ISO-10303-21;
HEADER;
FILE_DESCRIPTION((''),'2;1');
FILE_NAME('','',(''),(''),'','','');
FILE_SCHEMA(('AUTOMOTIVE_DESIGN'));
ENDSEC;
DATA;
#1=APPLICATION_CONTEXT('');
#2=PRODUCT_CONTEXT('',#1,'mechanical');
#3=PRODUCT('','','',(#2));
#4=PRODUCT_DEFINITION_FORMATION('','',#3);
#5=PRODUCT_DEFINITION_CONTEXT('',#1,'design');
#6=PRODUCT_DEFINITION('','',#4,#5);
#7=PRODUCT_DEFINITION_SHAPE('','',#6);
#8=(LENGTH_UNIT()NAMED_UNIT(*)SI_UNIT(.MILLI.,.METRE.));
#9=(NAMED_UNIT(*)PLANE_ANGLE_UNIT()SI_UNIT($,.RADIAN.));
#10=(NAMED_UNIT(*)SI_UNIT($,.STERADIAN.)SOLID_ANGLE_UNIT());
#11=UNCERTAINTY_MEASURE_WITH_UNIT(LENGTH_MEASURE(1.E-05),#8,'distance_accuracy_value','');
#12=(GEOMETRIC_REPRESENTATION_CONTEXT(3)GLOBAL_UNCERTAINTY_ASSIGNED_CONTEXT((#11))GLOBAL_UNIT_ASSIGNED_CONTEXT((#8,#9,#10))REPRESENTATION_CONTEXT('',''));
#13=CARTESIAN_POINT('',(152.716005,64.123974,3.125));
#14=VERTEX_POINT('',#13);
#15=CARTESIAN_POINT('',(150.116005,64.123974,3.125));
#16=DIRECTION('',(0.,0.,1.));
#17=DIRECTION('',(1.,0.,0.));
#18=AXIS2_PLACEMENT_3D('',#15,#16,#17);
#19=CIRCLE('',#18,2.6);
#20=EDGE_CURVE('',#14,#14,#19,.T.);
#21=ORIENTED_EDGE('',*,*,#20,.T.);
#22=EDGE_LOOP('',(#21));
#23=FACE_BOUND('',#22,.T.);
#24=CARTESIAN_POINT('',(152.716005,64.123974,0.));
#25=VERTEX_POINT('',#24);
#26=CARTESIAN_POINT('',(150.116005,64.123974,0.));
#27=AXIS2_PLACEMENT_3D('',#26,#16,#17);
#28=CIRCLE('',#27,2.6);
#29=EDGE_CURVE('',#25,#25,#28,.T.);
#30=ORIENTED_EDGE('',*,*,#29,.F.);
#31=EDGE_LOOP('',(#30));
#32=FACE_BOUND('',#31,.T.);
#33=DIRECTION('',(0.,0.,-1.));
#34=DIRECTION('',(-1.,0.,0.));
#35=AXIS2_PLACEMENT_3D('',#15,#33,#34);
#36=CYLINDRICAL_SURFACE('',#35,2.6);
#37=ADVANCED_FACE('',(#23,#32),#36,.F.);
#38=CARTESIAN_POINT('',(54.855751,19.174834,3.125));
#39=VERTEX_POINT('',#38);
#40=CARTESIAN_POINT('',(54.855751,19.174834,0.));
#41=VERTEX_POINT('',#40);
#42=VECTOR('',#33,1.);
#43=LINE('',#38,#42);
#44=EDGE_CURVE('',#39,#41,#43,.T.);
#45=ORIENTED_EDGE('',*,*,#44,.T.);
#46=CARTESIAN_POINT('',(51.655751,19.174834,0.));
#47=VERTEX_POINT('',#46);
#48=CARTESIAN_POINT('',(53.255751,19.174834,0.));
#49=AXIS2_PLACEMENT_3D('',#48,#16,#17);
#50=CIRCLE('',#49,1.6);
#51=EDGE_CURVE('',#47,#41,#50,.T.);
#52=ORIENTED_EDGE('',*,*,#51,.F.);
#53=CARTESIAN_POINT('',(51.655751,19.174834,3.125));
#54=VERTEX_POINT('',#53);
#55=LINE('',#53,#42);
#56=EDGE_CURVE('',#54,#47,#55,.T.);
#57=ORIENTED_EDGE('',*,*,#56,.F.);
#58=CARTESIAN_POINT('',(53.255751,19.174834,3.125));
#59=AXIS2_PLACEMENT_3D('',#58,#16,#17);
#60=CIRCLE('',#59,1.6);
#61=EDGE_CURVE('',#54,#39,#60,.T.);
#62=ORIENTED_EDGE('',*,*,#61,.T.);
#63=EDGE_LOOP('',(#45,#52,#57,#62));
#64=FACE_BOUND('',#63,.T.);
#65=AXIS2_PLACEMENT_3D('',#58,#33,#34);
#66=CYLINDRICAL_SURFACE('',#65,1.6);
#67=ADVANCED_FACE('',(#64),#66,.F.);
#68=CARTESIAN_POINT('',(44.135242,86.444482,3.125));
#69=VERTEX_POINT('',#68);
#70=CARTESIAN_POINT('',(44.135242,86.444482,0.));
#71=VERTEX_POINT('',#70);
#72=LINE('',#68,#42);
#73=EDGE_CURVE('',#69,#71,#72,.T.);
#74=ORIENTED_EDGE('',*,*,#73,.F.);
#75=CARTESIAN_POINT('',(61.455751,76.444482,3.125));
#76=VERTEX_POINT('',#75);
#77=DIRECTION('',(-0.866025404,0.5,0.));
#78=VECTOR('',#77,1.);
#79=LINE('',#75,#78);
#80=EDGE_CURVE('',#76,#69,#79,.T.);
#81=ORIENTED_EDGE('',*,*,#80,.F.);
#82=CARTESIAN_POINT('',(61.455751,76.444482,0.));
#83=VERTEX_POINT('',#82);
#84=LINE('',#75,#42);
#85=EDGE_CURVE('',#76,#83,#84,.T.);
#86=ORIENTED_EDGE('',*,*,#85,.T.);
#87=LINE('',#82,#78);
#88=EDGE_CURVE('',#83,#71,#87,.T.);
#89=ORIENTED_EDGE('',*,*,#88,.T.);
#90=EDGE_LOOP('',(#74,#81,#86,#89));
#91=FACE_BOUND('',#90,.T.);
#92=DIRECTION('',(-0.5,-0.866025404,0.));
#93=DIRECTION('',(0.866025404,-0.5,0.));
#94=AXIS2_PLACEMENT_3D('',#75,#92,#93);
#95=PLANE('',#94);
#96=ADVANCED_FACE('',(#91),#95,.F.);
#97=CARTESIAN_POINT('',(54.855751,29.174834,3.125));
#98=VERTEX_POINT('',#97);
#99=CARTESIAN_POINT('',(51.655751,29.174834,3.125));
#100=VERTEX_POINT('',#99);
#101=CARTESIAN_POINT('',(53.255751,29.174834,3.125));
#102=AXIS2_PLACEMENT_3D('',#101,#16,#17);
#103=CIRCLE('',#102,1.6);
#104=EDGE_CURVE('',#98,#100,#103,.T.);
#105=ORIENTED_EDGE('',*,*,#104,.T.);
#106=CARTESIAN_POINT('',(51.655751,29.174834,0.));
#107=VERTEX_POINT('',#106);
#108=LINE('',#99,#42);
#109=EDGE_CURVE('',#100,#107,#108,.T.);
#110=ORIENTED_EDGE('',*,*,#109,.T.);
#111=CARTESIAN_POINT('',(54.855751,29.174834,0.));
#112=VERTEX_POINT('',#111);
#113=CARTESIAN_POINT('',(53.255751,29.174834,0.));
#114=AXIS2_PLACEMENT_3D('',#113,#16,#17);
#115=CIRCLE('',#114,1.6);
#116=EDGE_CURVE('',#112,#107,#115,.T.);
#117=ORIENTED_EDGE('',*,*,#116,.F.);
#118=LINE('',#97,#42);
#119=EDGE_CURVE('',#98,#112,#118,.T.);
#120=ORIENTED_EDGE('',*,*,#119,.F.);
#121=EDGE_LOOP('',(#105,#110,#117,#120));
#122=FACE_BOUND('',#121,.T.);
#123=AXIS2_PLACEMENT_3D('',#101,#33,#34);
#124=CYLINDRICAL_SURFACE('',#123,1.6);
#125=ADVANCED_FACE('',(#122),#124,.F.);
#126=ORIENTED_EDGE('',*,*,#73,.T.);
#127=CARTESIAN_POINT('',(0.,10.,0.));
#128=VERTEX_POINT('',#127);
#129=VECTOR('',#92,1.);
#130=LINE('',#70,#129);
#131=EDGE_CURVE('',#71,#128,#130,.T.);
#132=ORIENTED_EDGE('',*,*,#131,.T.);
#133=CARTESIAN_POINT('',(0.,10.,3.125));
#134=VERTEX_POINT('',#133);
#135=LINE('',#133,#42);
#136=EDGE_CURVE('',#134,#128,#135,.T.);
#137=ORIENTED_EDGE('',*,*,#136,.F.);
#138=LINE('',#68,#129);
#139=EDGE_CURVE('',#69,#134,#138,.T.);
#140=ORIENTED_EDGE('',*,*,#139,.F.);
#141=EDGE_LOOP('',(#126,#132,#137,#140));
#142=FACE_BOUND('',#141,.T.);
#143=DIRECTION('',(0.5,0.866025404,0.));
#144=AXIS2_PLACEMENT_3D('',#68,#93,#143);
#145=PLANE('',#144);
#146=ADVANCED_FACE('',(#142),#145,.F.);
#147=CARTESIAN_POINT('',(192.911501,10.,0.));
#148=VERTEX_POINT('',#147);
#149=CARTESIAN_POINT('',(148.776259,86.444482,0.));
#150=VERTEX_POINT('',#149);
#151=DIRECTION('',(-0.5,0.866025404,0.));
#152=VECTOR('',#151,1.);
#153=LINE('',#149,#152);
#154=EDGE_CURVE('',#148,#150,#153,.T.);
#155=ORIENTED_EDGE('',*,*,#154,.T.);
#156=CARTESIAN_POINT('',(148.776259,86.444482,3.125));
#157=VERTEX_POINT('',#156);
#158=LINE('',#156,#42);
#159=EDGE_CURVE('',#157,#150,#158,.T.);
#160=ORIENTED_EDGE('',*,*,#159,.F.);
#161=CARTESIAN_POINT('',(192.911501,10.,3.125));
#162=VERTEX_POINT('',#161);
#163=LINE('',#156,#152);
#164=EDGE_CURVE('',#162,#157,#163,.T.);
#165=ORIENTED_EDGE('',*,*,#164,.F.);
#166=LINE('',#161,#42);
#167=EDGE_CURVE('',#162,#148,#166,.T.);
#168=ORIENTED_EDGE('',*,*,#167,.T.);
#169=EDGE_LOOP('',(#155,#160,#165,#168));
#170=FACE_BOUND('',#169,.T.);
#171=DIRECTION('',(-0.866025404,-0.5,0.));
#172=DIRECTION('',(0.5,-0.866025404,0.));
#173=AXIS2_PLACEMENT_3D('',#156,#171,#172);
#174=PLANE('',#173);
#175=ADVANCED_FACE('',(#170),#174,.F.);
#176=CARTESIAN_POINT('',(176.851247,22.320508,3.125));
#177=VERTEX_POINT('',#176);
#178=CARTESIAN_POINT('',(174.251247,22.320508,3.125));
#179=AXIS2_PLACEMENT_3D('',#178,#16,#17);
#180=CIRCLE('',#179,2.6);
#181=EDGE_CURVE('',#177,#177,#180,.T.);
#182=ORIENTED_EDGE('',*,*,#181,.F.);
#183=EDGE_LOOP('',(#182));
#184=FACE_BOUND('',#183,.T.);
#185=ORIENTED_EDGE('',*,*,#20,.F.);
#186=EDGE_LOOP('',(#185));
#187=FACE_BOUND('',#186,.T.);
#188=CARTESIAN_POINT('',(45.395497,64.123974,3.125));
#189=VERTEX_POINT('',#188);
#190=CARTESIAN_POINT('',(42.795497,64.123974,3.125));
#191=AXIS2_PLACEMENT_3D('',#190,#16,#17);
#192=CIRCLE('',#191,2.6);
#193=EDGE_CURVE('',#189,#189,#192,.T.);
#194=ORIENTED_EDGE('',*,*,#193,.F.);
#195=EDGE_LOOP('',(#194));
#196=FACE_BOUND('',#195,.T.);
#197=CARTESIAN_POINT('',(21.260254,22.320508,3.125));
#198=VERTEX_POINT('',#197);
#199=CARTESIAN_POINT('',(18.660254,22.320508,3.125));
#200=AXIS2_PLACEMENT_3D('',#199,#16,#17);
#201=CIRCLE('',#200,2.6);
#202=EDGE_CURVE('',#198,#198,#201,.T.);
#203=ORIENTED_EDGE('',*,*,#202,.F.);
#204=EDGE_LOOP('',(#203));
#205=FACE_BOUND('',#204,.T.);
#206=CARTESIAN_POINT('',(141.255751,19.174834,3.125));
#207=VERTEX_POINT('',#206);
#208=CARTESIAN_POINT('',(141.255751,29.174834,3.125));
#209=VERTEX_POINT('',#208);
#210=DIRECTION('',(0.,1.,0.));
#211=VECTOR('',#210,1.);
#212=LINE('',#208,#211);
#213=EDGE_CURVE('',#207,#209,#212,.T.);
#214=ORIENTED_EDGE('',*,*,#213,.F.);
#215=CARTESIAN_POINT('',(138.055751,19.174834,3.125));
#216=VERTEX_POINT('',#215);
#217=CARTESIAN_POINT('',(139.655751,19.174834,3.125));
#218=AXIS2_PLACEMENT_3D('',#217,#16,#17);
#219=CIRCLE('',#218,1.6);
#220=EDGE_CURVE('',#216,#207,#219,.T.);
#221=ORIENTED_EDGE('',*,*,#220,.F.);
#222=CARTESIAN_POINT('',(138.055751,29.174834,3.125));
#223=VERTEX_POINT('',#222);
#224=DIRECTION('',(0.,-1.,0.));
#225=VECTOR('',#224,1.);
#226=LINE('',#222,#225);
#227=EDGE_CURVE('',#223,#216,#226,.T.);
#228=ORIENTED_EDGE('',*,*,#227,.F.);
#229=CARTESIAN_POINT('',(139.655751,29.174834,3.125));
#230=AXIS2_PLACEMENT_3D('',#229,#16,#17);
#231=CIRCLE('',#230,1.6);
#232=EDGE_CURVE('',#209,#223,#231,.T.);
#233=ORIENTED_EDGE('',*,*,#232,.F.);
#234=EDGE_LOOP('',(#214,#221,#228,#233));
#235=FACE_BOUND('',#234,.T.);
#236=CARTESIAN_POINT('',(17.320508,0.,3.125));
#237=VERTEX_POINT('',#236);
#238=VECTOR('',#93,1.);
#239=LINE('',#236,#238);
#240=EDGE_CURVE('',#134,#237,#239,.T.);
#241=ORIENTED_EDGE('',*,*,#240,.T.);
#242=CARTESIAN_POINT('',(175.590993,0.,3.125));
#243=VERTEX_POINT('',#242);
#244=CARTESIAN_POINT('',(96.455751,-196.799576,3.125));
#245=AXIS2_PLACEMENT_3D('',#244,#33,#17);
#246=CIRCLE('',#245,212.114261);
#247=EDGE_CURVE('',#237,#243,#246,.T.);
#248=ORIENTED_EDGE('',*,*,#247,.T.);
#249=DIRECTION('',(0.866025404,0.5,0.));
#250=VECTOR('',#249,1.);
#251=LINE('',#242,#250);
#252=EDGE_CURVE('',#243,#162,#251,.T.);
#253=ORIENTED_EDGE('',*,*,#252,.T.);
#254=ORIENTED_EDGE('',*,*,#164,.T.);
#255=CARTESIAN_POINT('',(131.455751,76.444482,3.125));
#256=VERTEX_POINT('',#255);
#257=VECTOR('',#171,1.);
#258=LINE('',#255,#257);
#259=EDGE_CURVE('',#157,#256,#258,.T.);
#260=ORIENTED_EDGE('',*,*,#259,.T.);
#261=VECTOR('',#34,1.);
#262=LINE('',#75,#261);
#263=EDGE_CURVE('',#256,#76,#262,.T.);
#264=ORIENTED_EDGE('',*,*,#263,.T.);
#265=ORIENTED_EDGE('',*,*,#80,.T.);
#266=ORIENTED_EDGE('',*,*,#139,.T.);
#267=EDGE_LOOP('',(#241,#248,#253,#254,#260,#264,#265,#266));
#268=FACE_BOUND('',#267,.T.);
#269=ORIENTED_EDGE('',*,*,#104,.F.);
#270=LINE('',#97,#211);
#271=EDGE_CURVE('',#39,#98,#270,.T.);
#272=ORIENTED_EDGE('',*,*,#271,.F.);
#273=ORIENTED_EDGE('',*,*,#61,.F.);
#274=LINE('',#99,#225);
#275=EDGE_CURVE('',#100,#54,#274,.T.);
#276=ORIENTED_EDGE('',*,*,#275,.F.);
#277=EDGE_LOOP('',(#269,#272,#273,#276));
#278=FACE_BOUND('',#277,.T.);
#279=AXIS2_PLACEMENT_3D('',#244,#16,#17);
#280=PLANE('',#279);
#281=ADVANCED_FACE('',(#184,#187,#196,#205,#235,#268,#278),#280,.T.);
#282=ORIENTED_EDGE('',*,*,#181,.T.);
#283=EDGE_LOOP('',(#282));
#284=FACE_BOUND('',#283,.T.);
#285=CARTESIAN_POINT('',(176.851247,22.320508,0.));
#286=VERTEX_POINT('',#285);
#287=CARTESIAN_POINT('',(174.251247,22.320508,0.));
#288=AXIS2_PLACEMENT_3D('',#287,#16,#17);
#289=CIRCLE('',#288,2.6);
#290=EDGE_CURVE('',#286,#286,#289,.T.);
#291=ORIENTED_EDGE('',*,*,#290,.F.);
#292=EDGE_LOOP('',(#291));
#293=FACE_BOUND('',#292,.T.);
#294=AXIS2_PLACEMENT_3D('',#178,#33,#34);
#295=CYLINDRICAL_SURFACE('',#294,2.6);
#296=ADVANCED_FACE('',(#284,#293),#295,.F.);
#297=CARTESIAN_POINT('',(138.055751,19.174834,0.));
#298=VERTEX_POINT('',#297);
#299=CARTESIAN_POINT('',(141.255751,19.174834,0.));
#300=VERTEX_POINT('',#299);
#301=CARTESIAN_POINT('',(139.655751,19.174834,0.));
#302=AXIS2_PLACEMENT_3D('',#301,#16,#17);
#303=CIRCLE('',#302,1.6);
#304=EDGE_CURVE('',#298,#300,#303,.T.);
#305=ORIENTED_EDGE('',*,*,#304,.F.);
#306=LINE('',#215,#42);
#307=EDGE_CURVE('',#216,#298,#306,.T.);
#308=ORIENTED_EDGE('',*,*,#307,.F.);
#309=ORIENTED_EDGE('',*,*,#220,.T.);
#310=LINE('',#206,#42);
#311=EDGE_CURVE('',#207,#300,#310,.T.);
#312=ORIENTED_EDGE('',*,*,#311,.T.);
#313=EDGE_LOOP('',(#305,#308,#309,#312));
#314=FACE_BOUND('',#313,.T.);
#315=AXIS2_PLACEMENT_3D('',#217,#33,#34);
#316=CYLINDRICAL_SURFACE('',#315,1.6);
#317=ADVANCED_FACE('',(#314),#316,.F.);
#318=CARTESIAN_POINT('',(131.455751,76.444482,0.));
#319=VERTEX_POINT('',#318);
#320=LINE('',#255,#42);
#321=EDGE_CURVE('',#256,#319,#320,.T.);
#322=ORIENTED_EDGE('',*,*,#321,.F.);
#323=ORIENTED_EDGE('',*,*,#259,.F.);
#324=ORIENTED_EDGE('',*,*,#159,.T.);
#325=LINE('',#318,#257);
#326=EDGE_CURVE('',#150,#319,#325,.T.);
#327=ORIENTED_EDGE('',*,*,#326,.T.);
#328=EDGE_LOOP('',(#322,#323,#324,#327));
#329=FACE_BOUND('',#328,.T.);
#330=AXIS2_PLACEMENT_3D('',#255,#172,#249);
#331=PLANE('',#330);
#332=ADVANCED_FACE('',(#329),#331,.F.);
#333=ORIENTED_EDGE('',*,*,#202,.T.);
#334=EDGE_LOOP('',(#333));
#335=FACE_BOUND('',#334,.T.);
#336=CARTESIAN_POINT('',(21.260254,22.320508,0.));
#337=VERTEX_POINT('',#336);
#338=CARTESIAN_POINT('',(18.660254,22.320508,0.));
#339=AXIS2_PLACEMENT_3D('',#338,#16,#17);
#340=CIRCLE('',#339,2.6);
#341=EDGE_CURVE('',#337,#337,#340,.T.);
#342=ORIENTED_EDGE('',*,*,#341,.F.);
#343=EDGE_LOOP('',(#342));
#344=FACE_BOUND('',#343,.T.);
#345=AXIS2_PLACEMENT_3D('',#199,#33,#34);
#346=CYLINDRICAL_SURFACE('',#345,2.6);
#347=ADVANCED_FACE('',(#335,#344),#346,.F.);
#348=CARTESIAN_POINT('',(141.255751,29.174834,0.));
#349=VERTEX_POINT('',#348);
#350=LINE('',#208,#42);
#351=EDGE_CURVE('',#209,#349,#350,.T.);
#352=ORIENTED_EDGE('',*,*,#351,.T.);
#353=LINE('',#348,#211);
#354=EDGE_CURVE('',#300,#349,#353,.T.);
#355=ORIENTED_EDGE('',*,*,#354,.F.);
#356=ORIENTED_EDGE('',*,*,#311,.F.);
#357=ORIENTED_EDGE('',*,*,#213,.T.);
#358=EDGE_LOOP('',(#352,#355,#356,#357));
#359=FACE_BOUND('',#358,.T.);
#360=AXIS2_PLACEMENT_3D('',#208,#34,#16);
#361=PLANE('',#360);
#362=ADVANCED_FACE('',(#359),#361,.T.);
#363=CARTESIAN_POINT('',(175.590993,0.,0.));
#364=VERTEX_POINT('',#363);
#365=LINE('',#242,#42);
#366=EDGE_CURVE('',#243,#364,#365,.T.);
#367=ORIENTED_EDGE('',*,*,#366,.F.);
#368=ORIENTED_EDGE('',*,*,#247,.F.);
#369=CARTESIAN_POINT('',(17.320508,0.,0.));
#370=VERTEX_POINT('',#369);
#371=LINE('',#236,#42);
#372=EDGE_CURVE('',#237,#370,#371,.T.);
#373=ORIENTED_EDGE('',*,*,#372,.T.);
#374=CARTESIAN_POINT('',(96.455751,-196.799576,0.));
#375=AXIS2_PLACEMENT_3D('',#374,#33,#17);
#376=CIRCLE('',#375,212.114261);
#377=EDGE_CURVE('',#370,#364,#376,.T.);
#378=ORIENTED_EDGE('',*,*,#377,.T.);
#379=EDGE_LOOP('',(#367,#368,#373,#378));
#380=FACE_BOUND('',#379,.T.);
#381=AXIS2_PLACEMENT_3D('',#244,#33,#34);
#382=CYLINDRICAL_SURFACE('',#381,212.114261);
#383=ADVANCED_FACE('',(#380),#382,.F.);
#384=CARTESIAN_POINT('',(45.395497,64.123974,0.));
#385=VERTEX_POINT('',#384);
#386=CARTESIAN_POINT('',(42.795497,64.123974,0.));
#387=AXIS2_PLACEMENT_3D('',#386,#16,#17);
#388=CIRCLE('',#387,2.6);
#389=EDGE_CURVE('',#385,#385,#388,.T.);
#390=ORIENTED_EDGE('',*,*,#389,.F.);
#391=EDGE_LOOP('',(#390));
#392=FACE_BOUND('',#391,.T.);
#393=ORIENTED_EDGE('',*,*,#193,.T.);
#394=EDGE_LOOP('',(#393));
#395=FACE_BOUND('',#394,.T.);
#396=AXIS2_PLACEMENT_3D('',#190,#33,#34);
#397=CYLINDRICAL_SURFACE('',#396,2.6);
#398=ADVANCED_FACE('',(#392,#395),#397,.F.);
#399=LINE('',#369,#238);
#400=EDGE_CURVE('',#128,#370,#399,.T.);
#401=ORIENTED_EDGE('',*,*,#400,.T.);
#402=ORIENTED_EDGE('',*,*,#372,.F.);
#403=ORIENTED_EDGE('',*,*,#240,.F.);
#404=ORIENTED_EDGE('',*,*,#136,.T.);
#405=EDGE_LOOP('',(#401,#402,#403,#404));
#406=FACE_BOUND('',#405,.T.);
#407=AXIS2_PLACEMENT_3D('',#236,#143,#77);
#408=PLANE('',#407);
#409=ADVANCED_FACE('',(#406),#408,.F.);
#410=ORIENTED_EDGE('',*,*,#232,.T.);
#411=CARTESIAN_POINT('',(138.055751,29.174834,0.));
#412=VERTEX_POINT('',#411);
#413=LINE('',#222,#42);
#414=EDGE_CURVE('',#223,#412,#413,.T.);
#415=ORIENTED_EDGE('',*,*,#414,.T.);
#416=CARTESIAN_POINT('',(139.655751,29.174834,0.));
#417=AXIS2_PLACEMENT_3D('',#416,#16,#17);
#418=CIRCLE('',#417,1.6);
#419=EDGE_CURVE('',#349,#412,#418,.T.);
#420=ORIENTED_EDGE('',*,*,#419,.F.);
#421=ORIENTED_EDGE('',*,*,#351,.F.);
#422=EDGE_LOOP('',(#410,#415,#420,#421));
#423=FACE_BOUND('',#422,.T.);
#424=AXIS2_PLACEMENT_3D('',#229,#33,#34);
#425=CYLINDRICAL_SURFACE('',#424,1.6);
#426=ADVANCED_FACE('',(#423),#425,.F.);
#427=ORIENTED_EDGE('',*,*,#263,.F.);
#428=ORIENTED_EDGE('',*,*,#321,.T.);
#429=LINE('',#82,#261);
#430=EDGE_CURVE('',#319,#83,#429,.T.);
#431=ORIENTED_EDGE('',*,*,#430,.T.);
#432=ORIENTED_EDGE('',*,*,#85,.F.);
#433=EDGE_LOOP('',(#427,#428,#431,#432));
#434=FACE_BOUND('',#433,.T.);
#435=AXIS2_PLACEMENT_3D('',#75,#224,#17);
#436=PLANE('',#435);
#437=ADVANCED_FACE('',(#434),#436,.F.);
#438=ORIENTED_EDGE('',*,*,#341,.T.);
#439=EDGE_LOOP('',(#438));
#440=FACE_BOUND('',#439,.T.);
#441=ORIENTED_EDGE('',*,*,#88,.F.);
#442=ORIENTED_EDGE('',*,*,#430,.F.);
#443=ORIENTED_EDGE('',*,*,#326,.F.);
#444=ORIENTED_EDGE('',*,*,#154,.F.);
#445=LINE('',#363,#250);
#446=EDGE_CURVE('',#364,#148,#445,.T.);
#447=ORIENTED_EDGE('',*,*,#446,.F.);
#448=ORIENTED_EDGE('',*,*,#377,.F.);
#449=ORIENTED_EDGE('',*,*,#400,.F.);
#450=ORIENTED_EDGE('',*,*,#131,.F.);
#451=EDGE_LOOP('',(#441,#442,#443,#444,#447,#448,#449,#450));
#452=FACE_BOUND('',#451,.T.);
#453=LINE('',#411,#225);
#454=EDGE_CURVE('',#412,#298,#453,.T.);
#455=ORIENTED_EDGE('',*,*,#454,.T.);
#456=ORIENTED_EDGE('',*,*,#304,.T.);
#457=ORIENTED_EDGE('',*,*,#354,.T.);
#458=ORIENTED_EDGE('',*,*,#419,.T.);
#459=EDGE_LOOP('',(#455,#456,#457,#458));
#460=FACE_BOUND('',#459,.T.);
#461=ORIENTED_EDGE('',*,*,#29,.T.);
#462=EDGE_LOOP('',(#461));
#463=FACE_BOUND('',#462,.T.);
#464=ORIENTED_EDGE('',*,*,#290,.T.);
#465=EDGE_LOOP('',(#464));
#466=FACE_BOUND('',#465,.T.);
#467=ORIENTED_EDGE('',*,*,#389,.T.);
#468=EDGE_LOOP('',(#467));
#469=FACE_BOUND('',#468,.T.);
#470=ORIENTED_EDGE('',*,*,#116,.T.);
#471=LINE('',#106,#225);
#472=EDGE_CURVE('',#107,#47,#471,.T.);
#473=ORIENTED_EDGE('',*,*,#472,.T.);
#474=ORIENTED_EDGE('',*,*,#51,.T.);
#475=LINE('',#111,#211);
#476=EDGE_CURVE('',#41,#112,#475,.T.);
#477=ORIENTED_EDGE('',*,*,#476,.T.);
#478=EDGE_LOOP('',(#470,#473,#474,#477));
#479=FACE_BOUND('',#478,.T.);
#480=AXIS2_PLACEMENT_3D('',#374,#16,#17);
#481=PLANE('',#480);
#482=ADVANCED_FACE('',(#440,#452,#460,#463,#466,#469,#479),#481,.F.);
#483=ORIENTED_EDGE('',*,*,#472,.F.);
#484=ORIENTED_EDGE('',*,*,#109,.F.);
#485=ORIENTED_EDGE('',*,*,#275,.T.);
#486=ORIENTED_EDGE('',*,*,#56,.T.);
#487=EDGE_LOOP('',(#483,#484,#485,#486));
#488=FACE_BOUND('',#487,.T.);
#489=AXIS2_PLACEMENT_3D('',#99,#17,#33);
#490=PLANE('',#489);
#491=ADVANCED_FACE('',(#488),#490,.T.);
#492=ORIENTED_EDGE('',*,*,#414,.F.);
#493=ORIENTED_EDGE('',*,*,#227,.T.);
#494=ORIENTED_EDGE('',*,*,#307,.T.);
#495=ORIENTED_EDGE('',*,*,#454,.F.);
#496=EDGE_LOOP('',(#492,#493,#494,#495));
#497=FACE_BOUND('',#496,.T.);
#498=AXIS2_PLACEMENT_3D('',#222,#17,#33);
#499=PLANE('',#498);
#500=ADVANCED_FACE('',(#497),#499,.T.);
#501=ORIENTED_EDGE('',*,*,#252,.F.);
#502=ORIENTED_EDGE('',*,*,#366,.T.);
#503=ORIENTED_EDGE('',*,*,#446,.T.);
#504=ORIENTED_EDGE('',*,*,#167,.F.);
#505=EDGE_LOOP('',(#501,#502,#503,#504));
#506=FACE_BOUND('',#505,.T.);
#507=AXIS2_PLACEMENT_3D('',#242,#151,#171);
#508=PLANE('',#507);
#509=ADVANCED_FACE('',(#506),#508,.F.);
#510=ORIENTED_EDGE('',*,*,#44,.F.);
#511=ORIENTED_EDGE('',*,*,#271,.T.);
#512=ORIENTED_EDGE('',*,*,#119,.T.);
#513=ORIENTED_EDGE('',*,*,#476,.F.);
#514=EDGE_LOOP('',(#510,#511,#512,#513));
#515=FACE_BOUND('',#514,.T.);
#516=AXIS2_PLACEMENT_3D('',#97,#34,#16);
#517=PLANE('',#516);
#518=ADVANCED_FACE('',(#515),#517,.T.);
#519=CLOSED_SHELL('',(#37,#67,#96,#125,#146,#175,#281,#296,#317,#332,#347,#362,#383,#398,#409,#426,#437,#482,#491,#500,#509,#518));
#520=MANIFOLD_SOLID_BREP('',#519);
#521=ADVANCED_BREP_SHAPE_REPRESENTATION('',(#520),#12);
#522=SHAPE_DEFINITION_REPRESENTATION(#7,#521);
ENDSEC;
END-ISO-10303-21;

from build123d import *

# Parameters (mm, degrees)
MODEL_R             = 2.6
BOSS_EXTRUDE1_DEPTH = 3.125


with BuildPart() as part:
    # Model → Boss-Extrude1 (new body)
    with BuildSketch(Plane.XY):
        with BuildLine():
            Line((175.590993043, 0), (192.911501119, 10))
            Line((192.911501119, 10), (148.776258635, 86.444482386))
            Line((148.776258635, 86.444482386), (131.455750559, 76.444482386))
            Line((131.455750559, 76.444482386), (61.455750559, 76.444482386))
            Line((61.455750559, 76.444482386), (44.135242484, 86.444482386))
            Line((44.135242484, 86.444482386), (0, 10))
            Line((0, 10), (17.320508076, 0))
            ThreePointArc((17.320508076, 0), (96.455750559, 15.314685), (175.590993043, 0))
        make_face()
        with Locations((42.795496522, 64.123974311)):
            Circle(MODEL_R, mode=Mode.SUBTRACT)
        with Locations((18.660254038, 22.320508076)):
            Circle(MODEL_R, mode=Mode.SUBTRACT)
        with Locations((150.116004597, 64.123974311)):
            Circle(MODEL_R, mode=Mode.SUBTRACT)
        with Locations((174.251247081, 22.320508076)):
            Circle(MODEL_R, mode=Mode.SUBTRACT)
        with BuildLine():
            Line((54.855750559, 29.174833766), (54.855750559, 19.174833766))
            ThreePointArc((54.855750559, 19.174833766), (53.255750559, 17.574833766), (51.655750559, 19.174833766))
            Line((51.655750559, 19.174833766), (51.655750559, 29.174833766))
            ThreePointArc((51.655750559, 29.174833766), (53.255750559, 30.774833766), (54.855750559, 29.174833766))
        make_face(mode=Mode.SUBTRACT)
        with BuildLine():
            Line((141.255750559, 29.174833766), (141.255750559, 19.174833766))
            ThreePointArc((141.255750559, 19.174833766), (139.655750559, 17.574833766), (138.055750559, 19.174833766))
            Line((138.055750559, 19.174833766), (138.055750559, 29.174833766))
            ThreePointArc((138.055750559, 29.174833766), (139.655750559, 30.774833766), (141.255750559, 29.174833766))
        make_face(mode=Mode.SUBTRACT)
    extrude(amount=BOSS_EXTRUDE1_DEPTH)


solid = part.part
